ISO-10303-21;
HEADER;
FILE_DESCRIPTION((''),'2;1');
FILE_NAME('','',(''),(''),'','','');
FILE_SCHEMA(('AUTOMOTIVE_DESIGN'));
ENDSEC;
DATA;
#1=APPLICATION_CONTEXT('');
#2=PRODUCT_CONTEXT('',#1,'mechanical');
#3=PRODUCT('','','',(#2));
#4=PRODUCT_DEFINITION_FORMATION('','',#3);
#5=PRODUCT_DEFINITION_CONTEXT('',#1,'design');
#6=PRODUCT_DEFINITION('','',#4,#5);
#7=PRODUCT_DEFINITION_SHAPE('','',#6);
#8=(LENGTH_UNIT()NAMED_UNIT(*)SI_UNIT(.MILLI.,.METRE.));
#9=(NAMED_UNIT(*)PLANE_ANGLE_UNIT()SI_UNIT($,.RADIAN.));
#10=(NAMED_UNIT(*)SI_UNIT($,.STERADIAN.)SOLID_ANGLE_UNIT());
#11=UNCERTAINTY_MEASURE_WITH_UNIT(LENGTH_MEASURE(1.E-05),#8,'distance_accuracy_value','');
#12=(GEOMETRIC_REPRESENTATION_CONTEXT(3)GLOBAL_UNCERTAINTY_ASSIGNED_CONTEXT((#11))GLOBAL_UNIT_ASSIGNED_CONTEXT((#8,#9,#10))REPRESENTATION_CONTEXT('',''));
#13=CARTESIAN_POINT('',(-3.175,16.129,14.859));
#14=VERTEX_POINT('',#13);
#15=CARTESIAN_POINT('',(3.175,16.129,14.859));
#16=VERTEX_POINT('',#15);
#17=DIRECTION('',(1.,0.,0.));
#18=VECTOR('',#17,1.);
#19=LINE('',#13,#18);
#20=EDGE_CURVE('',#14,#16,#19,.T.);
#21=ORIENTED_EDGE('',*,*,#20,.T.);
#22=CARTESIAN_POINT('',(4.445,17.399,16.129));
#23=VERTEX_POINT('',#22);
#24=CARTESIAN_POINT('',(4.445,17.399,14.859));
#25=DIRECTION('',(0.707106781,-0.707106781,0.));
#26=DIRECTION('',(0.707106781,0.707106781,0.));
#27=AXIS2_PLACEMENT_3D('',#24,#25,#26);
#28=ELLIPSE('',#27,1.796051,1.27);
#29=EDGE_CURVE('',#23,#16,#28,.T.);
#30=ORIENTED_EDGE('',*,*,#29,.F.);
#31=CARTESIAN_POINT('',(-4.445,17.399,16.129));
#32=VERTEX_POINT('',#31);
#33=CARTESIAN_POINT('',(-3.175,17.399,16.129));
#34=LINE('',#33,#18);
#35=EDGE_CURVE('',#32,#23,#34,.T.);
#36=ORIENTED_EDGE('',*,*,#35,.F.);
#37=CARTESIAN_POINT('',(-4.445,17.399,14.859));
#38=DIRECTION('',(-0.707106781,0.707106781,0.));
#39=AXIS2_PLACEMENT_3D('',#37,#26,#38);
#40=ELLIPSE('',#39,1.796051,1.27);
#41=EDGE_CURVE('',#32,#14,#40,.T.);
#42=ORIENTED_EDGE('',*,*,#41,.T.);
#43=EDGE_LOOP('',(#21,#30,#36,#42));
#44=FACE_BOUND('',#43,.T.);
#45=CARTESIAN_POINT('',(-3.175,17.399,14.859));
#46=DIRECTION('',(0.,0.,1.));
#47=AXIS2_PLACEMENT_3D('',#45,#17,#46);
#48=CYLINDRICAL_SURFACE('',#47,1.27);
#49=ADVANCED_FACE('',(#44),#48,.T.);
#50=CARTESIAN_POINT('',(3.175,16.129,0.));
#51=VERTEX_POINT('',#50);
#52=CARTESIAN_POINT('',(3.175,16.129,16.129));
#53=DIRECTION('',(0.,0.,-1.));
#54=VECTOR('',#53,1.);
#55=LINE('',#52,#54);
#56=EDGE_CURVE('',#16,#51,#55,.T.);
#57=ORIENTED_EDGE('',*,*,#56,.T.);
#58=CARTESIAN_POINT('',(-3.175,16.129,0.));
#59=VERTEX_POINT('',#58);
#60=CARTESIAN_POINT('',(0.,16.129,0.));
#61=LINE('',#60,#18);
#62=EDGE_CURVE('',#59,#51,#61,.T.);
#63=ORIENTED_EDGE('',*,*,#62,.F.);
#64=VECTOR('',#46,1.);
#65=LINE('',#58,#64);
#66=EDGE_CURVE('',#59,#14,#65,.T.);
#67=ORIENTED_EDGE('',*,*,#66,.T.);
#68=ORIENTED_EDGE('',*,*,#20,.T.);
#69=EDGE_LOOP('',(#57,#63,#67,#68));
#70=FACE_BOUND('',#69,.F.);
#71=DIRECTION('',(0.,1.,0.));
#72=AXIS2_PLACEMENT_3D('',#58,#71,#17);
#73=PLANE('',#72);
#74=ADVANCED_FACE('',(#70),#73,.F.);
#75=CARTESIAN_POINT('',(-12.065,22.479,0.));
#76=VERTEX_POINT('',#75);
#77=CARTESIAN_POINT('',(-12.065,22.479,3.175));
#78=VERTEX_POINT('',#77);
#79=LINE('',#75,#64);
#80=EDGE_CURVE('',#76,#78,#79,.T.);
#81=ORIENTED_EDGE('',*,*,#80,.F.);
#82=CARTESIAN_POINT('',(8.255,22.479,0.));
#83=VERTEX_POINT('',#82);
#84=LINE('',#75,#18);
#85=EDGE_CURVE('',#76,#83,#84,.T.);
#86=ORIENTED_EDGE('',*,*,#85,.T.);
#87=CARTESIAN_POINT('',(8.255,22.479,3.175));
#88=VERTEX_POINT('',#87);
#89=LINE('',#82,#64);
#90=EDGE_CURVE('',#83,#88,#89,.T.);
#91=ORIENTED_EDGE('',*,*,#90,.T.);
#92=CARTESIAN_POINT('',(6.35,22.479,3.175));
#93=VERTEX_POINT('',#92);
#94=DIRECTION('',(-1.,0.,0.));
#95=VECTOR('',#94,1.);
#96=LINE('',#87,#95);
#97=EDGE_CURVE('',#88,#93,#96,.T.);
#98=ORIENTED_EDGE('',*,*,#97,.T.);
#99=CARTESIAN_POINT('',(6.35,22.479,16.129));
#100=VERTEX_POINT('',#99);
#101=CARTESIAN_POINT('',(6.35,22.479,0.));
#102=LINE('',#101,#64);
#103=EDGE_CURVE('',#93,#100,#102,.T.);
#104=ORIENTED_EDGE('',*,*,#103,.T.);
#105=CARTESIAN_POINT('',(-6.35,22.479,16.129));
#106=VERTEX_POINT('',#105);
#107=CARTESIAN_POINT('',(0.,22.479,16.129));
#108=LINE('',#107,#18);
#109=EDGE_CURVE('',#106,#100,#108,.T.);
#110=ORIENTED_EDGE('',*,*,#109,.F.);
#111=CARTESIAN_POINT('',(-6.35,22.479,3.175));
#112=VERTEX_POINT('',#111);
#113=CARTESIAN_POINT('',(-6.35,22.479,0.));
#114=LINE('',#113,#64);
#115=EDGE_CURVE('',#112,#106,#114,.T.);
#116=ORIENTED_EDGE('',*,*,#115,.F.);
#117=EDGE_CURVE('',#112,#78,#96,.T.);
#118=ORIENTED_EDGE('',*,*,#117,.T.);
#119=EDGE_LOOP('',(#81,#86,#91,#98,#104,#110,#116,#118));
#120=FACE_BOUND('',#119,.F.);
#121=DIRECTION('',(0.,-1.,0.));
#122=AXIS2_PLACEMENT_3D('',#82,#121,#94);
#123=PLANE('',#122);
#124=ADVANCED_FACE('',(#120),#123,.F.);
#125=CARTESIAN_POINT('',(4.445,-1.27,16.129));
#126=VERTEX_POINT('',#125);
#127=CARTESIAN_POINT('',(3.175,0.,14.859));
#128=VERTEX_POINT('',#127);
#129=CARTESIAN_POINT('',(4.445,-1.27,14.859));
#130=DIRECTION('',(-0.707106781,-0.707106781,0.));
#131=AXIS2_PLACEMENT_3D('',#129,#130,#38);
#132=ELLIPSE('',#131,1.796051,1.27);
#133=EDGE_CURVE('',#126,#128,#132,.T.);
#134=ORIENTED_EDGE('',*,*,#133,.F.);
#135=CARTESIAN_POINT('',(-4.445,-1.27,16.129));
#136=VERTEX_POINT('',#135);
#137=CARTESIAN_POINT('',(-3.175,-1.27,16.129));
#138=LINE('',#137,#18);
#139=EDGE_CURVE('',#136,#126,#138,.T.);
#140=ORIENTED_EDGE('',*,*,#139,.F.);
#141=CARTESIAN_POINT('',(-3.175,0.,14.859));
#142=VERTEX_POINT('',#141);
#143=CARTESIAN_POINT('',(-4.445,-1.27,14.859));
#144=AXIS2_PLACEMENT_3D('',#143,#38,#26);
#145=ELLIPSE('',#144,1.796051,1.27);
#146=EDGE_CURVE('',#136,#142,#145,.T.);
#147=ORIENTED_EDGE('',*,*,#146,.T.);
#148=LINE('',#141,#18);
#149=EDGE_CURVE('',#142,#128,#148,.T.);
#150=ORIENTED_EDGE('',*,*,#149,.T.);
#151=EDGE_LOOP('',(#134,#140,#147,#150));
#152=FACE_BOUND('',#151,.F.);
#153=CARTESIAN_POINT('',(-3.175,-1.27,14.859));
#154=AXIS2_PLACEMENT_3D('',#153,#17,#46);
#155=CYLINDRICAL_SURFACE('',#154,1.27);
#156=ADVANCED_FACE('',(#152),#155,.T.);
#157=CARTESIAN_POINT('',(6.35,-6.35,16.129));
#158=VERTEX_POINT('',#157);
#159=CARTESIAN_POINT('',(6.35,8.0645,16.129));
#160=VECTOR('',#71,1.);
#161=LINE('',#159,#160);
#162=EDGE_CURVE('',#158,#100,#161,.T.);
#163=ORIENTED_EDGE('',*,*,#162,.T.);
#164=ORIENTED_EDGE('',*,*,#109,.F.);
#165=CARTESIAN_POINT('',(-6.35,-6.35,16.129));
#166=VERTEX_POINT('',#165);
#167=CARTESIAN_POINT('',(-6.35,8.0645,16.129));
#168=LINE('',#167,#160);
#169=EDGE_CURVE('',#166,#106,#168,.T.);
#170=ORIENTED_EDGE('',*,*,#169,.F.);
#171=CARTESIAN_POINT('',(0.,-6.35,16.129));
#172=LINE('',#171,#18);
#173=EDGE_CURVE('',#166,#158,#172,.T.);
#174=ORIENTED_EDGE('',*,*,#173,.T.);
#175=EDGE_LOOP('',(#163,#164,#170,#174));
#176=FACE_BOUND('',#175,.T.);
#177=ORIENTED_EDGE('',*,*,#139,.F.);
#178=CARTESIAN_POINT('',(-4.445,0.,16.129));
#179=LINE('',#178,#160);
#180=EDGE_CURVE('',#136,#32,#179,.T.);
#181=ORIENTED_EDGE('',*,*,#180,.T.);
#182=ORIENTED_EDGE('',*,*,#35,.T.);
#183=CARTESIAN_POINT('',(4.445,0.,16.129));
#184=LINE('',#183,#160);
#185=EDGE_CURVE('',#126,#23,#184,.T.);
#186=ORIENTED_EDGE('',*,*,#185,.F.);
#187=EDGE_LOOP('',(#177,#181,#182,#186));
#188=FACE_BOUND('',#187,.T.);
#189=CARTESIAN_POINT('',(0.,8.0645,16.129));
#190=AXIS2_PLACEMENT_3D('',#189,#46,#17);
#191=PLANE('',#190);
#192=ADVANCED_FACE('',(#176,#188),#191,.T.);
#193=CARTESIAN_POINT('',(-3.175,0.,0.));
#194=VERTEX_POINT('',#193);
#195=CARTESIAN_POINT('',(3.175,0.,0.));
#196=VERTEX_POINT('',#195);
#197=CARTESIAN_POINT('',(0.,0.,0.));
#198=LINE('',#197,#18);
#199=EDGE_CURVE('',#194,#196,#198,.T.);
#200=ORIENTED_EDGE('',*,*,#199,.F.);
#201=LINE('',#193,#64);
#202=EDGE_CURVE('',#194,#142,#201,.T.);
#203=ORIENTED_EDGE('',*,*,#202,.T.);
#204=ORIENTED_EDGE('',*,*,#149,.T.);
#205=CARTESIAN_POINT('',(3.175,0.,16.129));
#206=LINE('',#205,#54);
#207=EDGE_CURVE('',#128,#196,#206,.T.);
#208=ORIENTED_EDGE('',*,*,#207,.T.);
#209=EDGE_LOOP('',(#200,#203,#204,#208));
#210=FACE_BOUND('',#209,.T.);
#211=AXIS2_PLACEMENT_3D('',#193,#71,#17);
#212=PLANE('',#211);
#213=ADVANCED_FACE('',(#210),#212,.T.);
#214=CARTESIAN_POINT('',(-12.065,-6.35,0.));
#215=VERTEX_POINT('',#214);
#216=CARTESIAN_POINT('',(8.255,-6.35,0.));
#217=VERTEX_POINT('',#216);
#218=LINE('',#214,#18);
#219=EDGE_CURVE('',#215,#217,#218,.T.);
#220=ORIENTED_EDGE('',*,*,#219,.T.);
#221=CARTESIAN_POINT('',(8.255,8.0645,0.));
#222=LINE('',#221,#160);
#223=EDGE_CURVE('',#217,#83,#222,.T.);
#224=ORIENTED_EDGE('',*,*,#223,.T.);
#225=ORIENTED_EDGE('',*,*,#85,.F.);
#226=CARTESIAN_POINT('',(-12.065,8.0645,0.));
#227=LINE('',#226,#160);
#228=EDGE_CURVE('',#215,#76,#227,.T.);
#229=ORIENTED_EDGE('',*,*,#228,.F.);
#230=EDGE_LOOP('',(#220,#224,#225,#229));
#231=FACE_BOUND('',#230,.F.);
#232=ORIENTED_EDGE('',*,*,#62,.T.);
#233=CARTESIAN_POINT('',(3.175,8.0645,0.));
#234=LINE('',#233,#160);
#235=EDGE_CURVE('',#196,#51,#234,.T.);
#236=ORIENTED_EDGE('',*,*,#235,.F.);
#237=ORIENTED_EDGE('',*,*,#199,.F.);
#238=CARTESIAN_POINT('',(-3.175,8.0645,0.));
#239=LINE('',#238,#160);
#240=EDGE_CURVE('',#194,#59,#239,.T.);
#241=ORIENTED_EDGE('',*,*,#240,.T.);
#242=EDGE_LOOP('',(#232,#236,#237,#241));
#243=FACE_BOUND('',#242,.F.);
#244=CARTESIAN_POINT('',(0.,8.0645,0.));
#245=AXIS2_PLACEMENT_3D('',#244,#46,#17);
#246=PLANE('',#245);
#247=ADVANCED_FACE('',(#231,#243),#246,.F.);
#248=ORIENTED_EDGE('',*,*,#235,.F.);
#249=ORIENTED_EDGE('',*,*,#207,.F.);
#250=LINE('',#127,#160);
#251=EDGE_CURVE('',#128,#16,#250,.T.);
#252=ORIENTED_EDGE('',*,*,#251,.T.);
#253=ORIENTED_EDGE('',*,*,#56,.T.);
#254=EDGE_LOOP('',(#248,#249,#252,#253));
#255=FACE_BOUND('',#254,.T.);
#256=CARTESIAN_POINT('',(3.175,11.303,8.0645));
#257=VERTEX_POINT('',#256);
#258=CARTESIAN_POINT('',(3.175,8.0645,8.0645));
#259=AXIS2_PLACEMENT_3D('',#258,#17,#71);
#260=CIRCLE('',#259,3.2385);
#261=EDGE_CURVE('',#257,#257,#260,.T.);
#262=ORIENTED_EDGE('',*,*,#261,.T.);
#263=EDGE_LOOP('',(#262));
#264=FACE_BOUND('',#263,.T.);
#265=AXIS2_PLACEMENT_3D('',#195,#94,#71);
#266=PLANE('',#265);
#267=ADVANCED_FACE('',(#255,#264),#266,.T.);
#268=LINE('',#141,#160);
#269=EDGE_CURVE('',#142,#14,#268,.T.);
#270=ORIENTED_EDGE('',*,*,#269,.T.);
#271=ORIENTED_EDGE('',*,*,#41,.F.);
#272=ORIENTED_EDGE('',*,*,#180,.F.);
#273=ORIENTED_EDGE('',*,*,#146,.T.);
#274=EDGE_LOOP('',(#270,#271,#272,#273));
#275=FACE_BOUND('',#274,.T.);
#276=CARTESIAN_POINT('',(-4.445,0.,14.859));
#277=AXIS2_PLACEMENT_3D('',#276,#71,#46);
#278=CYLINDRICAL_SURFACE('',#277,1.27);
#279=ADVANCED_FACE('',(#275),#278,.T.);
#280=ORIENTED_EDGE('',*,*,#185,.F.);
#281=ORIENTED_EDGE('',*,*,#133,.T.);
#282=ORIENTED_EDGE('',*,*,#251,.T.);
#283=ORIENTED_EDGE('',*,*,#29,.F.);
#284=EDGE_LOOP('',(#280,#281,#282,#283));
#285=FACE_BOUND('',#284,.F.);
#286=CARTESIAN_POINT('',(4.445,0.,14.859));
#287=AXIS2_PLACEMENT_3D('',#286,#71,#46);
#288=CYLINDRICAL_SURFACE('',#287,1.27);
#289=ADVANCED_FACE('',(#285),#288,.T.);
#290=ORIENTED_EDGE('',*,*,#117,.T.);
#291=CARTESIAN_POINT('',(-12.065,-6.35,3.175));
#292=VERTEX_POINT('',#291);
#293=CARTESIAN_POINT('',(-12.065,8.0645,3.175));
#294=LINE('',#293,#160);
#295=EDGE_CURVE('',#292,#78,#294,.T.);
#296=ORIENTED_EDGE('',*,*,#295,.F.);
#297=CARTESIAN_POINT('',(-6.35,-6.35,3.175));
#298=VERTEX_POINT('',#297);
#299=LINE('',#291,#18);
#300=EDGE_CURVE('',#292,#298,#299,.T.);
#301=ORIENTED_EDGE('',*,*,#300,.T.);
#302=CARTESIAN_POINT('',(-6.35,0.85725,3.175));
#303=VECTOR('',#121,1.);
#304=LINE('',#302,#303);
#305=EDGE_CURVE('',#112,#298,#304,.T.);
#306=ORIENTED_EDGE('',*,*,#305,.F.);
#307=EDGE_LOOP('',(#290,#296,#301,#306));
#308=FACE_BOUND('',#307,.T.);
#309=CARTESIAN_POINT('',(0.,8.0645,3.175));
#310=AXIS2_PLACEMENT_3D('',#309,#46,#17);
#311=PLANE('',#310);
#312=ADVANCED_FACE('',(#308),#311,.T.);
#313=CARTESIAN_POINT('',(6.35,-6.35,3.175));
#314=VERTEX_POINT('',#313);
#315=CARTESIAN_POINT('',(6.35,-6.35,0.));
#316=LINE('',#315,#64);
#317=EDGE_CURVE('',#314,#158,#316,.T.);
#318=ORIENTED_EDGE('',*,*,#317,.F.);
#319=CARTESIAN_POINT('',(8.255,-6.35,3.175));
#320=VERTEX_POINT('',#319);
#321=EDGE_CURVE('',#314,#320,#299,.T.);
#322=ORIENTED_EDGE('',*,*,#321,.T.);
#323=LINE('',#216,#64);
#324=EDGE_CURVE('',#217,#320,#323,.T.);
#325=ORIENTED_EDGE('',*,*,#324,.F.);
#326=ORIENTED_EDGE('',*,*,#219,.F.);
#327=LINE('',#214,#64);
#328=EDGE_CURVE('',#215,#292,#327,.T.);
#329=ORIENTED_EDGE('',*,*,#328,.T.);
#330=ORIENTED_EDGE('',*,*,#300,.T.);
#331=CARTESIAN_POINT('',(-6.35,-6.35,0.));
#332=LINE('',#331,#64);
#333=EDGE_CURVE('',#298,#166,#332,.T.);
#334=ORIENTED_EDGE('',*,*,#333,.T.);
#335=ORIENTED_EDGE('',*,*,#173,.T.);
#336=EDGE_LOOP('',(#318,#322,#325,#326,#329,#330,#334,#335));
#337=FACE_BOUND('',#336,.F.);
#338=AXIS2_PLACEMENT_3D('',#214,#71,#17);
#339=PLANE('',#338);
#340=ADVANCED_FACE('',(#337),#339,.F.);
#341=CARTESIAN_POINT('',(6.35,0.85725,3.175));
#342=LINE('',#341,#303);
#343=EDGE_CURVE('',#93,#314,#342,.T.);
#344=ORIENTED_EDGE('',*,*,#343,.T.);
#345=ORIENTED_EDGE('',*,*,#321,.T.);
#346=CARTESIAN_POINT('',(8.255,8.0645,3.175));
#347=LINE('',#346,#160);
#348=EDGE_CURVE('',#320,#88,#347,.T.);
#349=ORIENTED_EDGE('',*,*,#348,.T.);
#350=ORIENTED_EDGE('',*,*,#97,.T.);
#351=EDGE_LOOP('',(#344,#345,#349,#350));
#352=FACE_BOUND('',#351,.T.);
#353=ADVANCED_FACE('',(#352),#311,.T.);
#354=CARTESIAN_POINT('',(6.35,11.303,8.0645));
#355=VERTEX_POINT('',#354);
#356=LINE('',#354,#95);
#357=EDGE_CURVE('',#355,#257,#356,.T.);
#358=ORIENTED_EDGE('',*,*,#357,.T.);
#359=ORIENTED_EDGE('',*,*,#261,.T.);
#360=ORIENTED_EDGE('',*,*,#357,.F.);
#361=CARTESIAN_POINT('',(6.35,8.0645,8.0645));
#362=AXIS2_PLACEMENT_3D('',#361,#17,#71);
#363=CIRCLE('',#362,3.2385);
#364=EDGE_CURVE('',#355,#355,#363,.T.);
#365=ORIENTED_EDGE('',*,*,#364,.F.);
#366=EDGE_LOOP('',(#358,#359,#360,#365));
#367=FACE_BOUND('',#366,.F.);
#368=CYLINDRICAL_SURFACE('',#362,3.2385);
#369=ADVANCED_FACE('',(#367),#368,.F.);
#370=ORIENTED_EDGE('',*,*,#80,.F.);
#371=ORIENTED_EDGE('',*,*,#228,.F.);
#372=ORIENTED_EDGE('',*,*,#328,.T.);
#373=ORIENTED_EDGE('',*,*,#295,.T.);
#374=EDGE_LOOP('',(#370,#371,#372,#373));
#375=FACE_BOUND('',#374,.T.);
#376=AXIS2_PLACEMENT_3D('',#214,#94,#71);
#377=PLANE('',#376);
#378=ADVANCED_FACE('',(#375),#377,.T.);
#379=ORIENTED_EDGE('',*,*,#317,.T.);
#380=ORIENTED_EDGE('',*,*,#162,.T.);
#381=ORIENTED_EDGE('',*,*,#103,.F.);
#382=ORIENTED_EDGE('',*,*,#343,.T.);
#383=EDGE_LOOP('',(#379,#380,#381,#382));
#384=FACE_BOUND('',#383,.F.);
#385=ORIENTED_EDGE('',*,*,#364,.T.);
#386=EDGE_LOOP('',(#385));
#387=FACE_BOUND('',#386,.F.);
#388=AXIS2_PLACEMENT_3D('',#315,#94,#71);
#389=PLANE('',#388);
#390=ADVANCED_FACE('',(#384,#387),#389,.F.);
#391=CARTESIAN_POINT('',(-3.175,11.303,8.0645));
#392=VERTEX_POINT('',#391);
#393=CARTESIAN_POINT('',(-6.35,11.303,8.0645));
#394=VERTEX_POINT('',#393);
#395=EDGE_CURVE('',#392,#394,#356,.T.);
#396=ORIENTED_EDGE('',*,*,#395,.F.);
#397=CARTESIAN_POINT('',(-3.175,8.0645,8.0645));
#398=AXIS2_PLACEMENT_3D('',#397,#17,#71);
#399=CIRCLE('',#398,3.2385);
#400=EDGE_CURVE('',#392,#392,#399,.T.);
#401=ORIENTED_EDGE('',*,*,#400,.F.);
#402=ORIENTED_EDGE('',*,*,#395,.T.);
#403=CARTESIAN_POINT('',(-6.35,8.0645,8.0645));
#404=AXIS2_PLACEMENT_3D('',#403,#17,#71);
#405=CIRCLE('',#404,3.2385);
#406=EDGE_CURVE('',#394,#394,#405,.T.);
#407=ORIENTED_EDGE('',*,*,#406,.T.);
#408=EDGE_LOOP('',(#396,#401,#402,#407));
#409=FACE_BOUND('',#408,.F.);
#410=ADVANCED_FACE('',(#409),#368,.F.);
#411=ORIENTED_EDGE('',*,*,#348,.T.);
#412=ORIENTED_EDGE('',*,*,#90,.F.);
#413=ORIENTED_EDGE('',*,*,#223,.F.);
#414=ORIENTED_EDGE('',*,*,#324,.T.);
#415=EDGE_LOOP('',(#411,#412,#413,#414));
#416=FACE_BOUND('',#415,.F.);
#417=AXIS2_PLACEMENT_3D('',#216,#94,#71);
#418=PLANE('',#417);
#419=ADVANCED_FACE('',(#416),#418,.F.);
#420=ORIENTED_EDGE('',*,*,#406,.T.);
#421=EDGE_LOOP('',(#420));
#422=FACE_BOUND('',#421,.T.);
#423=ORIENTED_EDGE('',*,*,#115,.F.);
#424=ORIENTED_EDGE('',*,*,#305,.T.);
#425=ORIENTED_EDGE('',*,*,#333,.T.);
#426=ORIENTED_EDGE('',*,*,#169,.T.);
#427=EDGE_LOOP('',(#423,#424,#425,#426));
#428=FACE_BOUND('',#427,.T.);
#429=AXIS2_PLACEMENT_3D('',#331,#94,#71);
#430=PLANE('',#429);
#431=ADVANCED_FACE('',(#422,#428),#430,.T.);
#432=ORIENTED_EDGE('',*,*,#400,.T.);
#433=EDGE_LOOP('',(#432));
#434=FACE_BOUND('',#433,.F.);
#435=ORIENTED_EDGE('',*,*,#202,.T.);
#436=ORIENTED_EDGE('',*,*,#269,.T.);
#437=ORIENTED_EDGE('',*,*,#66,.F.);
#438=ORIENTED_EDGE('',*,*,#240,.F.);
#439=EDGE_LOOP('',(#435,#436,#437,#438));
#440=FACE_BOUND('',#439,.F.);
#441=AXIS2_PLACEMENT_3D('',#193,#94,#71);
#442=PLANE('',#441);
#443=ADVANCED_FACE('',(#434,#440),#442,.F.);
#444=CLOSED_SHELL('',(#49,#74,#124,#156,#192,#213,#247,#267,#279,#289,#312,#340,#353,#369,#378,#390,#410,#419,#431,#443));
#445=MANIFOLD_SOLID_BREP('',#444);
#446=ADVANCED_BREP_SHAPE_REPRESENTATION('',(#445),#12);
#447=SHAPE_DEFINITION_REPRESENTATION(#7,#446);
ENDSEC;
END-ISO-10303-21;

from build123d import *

# Parameters (mm, degrees)
F0_W     = 12.7
F0_H     = 28.829
F0_W_2   = 6.35
F0_H_2   = 16.129
F0_W_3   = 5.715
F0_W_4   = 1.905
F1_DEPTH = 3.175
F2_DEPTH = 16.129
F3_R     = 3.2385
F4_DEPTH = 18.416
F5_R     = 1.27


with BuildPart() as f1:
    # F0 (on Top) → F1 (new body)
    with BuildSketch(Plane.XY):
        with Locations((0, 8.0645)):
            Rectangle(F0_W, F0_H)
        with Locations((0, 8.0645)):
            Rectangle(F0_W_2, F0_H_2, mode=Mode.SUBTRACT)
        with Locations((-9.2075, 8.0645)):
            Rectangle(F0_W_3, F0_H)
        with Locations((7.3025, 8.0645)):
            Rectangle(F0_W_4, F0_H)
    extrude(amount=F1_DEPTH)

    # F0 (on Top) → F2 (join)
    with BuildSketch(Plane.XY):
        with Locations((0, 8.0645)):
            Rectangle(F0_W, F0_H)
        with Locations((0, 8.0645)):
            Rectangle(F0_W_2, F0_H_2, mode=Mode.SUBTRACT)
    extrude(amount=F2_DEPTH)

    # F3 (on face) → F4 (cut, through all)
    with BuildSketch(Plane.YZ.offset(6.35)):
        with Locations((8.0645, 8.0645)):
            Circle(F3_R)
    extrude(amount=-F4_DEPTH, mode=Mode.SUBTRACT)

    # F5
    f5_edges = [f1.edges().sort_by_distance(p)[0] for p in [
        (3.175, 8.0645, 16.129),
        (-3.175, 8.0645, 16.129),
        (0, 0, 16.129),
        (0, 16.129, 16.129),
    ]]
    fillet(f5_edges, radius=F5_R)


solid = f1.part
